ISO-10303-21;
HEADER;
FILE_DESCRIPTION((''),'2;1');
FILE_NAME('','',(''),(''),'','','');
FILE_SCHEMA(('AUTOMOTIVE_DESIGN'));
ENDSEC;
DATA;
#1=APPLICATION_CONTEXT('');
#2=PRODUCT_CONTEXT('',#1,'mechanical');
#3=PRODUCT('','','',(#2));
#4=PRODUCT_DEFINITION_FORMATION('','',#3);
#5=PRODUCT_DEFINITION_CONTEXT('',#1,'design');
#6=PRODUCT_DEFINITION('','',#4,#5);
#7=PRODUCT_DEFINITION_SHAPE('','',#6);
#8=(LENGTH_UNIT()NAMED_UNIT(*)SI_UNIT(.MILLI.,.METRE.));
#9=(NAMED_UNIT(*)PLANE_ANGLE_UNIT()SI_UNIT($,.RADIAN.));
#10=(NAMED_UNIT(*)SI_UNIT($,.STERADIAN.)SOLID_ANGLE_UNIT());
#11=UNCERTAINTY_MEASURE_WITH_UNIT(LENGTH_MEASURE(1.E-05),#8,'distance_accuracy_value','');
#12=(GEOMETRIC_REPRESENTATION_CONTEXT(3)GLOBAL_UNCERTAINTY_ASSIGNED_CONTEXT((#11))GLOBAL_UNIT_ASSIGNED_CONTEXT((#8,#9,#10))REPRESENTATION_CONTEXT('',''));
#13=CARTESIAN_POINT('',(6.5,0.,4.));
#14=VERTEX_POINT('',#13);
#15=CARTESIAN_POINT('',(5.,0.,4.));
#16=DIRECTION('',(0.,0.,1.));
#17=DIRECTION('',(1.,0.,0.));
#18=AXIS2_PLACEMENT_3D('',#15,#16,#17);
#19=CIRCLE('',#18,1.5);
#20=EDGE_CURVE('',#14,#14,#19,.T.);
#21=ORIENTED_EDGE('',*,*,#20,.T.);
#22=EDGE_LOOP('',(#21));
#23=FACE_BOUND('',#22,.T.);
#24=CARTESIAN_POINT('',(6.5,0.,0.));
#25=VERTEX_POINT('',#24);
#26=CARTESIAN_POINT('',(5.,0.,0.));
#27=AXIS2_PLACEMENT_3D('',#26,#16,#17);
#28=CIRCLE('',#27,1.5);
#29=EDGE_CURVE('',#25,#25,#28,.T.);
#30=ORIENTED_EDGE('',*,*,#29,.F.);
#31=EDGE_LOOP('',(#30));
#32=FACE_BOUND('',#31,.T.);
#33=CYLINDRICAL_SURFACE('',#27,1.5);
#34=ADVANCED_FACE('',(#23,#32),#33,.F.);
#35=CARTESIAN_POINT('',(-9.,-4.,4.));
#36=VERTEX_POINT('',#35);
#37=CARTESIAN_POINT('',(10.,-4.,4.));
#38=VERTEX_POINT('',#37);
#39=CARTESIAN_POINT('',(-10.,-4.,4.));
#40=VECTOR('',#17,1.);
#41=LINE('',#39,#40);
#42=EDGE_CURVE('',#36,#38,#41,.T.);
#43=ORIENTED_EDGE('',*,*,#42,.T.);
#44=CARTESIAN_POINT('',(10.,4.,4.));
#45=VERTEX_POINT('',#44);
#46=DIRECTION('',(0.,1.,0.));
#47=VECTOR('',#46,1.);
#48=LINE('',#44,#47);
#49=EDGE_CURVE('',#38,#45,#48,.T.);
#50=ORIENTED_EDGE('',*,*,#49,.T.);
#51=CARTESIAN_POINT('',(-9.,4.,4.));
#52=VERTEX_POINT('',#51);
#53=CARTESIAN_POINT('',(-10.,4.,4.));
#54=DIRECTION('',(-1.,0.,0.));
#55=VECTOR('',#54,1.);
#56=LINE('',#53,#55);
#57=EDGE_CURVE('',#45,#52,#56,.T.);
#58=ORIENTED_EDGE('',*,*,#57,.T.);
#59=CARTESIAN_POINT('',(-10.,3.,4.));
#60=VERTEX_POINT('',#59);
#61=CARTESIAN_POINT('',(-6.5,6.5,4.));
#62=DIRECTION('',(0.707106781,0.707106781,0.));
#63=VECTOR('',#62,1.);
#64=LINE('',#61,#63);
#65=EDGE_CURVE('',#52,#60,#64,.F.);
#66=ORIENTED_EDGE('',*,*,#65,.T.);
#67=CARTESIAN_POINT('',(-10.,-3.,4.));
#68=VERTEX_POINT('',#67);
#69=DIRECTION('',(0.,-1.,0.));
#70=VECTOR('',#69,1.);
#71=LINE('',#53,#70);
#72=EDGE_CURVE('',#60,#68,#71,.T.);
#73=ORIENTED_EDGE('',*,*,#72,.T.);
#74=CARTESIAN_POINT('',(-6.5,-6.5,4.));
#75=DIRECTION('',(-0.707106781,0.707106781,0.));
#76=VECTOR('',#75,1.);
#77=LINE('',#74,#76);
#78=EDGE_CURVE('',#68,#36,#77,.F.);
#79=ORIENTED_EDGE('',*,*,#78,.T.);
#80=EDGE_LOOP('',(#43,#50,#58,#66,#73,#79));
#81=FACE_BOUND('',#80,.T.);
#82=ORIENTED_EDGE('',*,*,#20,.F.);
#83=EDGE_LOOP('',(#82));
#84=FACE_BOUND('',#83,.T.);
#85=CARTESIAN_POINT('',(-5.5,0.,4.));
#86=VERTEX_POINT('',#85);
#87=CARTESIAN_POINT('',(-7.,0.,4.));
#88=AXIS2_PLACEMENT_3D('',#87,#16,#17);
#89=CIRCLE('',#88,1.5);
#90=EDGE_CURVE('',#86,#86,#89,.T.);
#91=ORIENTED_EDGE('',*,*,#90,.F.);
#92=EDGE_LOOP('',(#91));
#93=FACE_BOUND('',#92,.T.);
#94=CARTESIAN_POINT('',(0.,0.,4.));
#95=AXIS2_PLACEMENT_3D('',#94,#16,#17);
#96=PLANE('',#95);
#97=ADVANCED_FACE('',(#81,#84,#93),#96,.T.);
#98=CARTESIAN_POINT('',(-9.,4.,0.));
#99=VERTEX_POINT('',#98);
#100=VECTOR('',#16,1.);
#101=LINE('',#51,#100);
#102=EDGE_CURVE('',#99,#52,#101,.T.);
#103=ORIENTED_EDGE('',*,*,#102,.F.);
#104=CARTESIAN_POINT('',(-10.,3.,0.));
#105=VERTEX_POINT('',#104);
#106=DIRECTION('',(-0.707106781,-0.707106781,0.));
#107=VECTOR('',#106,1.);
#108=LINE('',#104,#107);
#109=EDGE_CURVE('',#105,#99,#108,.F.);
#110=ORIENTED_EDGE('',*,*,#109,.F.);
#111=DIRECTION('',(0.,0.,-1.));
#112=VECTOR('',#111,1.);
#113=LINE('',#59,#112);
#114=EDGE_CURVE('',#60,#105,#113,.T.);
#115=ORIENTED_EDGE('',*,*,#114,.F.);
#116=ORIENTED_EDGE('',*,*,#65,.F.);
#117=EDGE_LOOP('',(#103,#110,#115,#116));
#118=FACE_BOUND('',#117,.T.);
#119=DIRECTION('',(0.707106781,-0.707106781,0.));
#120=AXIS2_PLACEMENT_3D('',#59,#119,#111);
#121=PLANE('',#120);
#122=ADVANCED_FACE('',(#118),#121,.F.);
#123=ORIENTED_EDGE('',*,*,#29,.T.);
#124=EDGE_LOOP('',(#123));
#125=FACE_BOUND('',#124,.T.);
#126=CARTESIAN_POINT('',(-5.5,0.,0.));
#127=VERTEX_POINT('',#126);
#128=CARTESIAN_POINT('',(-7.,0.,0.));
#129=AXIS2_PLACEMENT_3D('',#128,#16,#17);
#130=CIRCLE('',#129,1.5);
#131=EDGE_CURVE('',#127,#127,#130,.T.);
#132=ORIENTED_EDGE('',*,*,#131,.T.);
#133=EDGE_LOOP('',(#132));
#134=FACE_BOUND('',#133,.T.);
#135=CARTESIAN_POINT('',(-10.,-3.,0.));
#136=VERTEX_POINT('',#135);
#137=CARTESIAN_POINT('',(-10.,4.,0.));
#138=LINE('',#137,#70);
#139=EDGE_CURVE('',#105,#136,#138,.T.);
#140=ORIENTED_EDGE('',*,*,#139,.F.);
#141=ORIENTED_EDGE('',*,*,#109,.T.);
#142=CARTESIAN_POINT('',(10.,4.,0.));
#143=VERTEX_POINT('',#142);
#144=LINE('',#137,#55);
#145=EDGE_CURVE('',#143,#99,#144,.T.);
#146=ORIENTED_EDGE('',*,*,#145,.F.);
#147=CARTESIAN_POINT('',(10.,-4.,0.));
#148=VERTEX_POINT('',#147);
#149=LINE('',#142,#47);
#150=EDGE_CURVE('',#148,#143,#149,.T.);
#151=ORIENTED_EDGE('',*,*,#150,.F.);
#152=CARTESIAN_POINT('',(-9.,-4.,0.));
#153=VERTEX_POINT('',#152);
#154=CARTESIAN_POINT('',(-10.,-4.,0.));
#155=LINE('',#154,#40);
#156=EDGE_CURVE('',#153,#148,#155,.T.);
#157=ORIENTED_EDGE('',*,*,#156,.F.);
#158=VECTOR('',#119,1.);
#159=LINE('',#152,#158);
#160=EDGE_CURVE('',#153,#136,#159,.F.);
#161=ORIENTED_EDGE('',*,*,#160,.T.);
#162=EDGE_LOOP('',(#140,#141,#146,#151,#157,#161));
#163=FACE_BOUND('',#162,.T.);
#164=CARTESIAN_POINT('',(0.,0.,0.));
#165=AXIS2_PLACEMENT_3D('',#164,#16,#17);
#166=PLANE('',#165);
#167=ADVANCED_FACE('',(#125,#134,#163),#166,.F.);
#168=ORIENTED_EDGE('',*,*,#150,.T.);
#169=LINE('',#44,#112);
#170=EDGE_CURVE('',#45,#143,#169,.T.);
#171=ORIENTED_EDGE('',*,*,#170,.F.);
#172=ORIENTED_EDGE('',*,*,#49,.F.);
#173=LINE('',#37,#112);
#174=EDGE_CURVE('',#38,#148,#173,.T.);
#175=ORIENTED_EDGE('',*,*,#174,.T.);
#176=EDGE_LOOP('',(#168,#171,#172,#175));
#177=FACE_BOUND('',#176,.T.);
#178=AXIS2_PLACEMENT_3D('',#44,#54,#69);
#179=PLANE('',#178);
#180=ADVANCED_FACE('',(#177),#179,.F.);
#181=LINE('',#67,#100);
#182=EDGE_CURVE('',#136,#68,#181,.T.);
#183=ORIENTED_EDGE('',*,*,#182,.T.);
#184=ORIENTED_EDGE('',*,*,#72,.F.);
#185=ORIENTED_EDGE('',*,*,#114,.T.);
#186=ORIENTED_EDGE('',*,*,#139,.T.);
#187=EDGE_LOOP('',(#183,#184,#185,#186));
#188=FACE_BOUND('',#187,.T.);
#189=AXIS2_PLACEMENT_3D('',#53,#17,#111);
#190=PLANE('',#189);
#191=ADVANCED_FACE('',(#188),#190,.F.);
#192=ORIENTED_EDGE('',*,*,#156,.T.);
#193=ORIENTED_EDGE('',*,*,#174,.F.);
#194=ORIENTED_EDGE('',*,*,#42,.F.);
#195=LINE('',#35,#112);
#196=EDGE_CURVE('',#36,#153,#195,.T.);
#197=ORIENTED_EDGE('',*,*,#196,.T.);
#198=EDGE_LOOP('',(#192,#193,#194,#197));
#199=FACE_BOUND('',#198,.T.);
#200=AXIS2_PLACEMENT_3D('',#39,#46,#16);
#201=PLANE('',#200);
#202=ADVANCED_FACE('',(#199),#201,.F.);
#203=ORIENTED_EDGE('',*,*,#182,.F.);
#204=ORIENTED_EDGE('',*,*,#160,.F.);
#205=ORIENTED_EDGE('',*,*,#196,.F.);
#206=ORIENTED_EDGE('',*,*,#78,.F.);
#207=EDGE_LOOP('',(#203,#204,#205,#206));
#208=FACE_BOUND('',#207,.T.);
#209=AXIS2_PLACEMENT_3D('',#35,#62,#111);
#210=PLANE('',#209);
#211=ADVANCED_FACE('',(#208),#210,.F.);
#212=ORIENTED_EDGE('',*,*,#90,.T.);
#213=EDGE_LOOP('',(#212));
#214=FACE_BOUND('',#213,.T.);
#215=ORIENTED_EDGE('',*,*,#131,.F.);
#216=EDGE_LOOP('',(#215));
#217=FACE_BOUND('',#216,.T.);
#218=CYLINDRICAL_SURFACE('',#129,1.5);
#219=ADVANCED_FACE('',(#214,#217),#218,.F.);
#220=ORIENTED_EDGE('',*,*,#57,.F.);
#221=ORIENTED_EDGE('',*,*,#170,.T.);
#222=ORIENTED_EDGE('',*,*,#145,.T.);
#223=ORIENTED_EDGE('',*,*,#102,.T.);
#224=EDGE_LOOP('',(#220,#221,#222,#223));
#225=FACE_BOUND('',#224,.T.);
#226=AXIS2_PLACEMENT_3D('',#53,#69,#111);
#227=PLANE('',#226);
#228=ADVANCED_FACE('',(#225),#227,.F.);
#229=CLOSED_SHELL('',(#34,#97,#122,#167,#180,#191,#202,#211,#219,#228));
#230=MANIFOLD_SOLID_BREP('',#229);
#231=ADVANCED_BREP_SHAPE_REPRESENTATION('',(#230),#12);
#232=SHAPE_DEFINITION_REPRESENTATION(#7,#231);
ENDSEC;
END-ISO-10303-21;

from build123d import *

# Parameters (mm, degrees)
SKETCH1_W      = 20
SKETCH1_H      = 8
EXTRUDE1_DEPTH = 4
CHAMFER1_SIZE  = 1
SKETCH2_R      = 1.5
EXTRUDE2_DEPTH = 4


with BuildPart() as part:
    # Sketch1 → Extrude1 (new body)
    with BuildSketch(Plane.XY):
        Rectangle(SKETCH1_W, SKETCH1_H)
    extrude(amount=EXTRUDE1_DEPTH)

    # Chamfer1
    chamfer1_edges = [part.edges().sort_by_distance(p)[0] for p in [
        (-10, -4, 2),
        (-10, 4, 2),
    ]]
    chamfer(chamfer1_edges, length=CHAMFER1_SIZE)

    # Sketch2 → Extrude2 (cut)
    with BuildSketch(Plane.XY.offset(4)):
        with Locations((-7, 0)):
            Circle(SKETCH2_R)
        with Locations((5, 0)):
            Circle(SKETCH2_R)
    extrude(amount=-EXTRUDE2_DEPTH, mode=Mode.SUBTRACT)


solid = part.part
